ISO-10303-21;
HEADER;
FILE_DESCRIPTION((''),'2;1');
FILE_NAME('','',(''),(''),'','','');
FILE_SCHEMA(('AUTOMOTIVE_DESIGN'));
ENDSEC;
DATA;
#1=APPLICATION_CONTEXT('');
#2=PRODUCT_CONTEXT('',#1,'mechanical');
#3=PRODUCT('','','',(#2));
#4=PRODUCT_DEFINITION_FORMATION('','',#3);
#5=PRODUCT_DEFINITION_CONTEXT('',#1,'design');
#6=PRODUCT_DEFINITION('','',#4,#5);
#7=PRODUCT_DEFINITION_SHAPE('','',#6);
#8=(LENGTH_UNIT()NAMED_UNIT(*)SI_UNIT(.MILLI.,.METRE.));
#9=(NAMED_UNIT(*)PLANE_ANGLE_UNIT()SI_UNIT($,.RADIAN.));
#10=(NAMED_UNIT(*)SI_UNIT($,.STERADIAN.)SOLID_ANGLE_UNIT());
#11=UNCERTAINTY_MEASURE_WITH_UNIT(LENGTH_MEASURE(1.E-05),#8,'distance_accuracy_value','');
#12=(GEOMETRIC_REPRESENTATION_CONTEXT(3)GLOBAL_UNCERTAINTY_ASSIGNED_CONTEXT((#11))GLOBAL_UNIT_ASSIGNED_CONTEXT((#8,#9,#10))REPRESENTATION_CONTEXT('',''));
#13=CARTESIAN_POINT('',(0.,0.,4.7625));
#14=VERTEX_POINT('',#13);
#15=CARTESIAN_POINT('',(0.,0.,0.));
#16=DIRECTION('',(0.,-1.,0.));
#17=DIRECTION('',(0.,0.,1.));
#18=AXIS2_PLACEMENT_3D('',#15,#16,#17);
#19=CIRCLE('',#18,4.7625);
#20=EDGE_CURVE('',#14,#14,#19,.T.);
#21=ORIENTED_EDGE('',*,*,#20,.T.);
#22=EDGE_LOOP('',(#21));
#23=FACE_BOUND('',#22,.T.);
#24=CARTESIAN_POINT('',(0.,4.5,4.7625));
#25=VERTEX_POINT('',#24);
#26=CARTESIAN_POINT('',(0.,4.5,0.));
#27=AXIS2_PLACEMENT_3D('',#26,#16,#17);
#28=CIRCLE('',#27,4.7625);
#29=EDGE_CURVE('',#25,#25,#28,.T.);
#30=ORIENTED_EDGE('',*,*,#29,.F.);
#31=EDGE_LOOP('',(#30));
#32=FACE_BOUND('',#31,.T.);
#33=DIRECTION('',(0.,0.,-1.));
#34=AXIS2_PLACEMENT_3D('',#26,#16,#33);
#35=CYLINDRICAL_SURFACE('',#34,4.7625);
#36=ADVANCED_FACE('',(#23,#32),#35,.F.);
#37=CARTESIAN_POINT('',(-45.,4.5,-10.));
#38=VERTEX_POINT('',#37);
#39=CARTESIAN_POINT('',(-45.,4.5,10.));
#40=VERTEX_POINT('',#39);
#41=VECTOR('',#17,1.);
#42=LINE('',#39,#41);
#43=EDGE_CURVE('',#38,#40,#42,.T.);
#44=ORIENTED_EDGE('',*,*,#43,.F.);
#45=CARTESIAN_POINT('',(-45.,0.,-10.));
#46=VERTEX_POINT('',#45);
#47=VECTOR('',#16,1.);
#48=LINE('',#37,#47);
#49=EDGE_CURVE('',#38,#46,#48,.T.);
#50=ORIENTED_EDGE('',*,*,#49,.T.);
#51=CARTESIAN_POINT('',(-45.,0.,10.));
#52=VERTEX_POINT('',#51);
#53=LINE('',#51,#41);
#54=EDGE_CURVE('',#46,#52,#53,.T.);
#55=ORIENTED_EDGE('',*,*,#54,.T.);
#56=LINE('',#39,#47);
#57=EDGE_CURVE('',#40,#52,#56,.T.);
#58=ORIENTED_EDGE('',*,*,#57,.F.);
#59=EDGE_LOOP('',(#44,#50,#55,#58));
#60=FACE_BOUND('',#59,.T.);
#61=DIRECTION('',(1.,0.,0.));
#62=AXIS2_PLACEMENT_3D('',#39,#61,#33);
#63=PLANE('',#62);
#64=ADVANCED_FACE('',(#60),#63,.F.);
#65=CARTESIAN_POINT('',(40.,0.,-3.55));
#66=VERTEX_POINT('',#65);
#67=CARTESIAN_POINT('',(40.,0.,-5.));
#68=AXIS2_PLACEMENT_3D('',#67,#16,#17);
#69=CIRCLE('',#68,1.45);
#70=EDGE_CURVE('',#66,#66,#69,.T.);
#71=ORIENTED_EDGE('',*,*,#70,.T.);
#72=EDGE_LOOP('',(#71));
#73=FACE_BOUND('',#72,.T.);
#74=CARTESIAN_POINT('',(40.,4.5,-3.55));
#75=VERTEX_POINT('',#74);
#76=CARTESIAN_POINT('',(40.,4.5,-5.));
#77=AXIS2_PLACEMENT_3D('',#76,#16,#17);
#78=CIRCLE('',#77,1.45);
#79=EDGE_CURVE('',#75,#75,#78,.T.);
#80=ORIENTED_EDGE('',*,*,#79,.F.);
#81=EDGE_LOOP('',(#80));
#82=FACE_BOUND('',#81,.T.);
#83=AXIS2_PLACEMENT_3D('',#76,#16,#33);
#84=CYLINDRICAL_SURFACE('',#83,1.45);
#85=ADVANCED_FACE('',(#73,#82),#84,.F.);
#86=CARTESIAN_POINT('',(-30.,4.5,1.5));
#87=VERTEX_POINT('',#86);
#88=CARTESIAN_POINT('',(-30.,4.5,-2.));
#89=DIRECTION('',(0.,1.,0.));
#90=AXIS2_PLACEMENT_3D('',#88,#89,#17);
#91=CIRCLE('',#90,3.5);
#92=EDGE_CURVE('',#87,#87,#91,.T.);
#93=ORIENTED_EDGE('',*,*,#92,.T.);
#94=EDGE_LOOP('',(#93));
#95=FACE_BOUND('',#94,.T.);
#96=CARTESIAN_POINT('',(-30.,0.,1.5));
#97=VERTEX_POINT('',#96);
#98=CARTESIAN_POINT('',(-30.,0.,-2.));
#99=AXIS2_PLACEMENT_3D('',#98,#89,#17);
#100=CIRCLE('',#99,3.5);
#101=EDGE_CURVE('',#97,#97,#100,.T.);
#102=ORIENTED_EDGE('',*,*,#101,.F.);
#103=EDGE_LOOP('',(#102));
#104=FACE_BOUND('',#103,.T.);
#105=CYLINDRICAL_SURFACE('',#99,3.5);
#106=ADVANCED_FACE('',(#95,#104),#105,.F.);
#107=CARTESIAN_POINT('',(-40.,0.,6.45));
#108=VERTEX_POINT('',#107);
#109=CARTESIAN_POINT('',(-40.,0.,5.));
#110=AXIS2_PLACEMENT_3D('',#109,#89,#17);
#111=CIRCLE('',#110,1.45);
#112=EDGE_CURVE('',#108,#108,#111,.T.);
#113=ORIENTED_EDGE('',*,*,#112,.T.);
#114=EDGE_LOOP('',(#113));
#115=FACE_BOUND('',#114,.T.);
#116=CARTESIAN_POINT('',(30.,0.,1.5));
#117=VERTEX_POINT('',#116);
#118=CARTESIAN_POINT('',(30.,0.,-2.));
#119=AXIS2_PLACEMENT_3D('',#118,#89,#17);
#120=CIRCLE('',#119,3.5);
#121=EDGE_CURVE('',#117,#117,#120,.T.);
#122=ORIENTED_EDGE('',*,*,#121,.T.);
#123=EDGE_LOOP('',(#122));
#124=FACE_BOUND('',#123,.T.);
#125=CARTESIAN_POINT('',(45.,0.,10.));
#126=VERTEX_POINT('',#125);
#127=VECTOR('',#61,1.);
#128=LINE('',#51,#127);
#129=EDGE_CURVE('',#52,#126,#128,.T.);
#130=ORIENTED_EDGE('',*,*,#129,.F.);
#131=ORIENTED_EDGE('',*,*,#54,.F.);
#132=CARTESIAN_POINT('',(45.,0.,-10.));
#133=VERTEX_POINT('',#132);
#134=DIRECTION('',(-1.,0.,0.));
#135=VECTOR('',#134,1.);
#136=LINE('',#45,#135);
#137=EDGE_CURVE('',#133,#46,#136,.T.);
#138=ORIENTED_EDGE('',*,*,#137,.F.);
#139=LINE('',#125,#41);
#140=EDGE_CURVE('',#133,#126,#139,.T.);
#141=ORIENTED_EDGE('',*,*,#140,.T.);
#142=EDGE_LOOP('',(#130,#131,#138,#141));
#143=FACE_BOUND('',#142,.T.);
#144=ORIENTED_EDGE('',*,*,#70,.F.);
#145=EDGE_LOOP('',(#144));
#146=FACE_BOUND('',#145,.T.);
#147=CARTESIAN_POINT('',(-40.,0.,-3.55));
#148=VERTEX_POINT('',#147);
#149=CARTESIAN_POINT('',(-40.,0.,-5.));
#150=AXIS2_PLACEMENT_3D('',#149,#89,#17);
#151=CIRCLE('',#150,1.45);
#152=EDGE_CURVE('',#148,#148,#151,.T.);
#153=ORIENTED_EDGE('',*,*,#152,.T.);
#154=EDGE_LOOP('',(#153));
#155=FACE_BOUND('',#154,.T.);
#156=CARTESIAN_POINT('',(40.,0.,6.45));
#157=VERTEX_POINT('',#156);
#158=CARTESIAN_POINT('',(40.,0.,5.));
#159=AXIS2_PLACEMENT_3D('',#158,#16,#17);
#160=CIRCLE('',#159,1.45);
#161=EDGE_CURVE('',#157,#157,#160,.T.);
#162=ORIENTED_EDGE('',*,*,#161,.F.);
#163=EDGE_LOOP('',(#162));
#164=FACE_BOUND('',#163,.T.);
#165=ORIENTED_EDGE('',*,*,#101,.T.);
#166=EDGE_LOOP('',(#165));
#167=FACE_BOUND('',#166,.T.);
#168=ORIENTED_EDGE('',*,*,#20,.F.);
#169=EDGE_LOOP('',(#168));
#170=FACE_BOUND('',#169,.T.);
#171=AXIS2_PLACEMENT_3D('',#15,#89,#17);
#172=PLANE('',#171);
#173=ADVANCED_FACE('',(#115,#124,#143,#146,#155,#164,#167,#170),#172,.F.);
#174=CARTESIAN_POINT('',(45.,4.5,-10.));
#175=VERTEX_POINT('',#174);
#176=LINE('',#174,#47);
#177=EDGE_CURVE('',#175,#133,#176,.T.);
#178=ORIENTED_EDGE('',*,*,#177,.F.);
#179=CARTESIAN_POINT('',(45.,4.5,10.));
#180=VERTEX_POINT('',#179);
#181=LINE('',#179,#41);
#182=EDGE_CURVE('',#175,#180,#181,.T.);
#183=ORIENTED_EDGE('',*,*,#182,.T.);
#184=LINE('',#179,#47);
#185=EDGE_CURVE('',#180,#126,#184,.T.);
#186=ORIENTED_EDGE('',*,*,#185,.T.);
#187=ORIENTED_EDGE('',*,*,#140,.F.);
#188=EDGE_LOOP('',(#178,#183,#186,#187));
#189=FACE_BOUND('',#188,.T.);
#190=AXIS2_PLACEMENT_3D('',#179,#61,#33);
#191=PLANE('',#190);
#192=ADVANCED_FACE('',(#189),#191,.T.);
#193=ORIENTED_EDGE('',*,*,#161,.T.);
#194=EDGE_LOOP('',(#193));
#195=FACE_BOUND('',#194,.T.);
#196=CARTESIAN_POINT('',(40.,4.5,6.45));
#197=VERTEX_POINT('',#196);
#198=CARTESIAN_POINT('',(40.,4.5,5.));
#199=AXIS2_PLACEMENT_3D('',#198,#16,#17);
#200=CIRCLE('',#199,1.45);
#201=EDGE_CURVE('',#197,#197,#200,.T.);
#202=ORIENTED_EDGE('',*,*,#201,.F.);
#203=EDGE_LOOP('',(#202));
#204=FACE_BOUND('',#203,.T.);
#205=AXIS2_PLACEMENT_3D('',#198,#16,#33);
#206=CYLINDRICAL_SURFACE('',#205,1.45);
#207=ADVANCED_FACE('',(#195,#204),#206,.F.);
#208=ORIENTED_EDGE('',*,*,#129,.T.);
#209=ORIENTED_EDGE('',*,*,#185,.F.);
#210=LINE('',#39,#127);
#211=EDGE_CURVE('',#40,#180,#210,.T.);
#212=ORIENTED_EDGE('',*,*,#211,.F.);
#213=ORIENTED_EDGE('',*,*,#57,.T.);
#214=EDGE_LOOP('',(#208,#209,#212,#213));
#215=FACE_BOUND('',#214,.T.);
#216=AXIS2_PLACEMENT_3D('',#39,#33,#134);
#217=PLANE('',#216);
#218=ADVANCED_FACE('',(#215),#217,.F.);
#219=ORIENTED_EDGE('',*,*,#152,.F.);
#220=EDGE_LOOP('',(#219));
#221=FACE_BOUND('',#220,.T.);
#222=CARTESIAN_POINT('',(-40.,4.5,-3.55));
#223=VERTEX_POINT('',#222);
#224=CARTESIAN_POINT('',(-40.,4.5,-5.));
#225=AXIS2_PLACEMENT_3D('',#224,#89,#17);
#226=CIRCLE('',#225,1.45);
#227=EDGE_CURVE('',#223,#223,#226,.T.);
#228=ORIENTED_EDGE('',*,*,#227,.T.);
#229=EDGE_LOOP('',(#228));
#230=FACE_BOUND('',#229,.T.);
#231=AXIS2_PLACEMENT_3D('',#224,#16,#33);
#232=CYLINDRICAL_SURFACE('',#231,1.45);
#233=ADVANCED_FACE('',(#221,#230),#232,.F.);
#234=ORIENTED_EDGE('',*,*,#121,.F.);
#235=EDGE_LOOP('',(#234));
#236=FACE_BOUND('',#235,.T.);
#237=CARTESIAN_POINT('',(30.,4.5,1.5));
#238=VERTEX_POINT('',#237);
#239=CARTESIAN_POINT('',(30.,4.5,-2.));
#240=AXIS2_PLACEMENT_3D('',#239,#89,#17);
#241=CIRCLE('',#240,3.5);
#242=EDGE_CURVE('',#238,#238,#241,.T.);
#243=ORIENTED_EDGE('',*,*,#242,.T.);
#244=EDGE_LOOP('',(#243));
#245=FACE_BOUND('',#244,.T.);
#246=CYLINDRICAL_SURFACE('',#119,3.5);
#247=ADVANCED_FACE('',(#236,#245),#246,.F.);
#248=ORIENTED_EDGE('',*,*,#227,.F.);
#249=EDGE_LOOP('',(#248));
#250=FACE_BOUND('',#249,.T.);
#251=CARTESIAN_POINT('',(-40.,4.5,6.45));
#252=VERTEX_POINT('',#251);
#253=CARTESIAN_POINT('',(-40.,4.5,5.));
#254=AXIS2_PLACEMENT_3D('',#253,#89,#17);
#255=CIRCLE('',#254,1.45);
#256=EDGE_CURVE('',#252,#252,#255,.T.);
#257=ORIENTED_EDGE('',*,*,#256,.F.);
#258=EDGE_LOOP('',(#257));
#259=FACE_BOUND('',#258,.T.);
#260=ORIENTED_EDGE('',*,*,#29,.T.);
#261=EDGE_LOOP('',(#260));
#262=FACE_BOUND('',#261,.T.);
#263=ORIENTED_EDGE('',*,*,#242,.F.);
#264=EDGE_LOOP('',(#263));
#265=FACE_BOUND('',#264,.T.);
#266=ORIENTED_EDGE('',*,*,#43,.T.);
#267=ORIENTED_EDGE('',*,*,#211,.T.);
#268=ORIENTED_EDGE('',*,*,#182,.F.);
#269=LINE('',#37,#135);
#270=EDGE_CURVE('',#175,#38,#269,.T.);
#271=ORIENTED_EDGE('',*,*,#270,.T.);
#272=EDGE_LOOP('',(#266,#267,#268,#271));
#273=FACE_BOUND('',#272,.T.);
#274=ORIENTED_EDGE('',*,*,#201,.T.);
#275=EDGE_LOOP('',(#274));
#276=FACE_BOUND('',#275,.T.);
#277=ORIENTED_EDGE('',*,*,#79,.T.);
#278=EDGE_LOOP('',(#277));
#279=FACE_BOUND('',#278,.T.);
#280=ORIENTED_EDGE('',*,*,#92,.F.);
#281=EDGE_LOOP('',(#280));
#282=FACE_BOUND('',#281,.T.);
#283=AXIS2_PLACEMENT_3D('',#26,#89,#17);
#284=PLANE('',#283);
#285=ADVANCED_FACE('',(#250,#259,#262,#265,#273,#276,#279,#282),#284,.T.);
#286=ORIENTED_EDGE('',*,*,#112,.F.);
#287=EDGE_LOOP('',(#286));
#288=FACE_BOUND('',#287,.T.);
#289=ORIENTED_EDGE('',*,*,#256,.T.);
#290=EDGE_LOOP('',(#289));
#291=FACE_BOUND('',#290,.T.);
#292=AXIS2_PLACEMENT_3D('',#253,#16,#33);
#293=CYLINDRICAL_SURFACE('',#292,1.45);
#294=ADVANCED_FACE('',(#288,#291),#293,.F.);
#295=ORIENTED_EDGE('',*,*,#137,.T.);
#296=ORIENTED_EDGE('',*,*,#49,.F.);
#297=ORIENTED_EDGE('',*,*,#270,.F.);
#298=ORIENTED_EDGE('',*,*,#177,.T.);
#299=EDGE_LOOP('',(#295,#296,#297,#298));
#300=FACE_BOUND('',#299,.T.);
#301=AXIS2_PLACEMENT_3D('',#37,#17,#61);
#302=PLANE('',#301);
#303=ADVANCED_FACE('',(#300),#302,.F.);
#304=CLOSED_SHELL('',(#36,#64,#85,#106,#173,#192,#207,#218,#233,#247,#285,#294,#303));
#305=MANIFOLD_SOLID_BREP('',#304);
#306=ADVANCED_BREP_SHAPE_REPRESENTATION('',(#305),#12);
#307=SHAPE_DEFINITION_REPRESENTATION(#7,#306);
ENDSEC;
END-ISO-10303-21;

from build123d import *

# Parameters (mm, degrees)
SKETCH1_R           = 1.45
BOSS_EXTRUDE1_DEPTH = 4.5
SKETCH2_R           = 3.5
CUT_EXTRUDE1_DEPTH  = 5.5


with BuildPart() as part:
    # Sketch1 → Boss-Extrude1 (new body)
    with BuildSketch(Plane(origin=(0, 0, 0), x_dir=(1, 0, 0), z_dir=(0, 1, 0))):
        with BuildLine():
            Line((0, 4.7625), (0, 10))
            Line((0, 10), (-45, 10))
            Line((-45, 10), (-45, -10))
            Line((-45, -10), (0, -10))
            Line((0, -10), (0, -4.7625))
            ThreePointArc((0, -4.7625), (-4.7625, 0), (0, 4.7625))
        make_face()
        with Locations((-40, 5)):
            Circle(SKETCH1_R, mode=Mode.SUBTRACT)
        with Locations((-40, -5)):
            Circle(SKETCH1_R, mode=Mode.SUBTRACT)
    boss_extrude1 = extrude(amount=BOSS_EXTRUDE1_DEPTH)

    # Mirror1: Boss-Extrude1 across plane
    add(boss_extrude1.mirror(Plane(origin=(0, 4.5, 10), x_dir=(0, 0, 1), z_dir=(-1, 0, 0))))

    # Sketch2 → Cut-Extrude1 (cut, through all)
    with BuildSketch(Plane(origin=(0, 4.5, 0), x_dir=(1, 0, 0), z_dir=(0, 1, 0))):
        with Locations((-30, 2)):
            Circle(SKETCH2_R)
        with Locations((30, 2)):
            Circle(SKETCH2_R)
    extrude(amount=-CUT_EXTRUDE1_DEPTH, mode=Mode.SUBTRACT)


solid = part.part
